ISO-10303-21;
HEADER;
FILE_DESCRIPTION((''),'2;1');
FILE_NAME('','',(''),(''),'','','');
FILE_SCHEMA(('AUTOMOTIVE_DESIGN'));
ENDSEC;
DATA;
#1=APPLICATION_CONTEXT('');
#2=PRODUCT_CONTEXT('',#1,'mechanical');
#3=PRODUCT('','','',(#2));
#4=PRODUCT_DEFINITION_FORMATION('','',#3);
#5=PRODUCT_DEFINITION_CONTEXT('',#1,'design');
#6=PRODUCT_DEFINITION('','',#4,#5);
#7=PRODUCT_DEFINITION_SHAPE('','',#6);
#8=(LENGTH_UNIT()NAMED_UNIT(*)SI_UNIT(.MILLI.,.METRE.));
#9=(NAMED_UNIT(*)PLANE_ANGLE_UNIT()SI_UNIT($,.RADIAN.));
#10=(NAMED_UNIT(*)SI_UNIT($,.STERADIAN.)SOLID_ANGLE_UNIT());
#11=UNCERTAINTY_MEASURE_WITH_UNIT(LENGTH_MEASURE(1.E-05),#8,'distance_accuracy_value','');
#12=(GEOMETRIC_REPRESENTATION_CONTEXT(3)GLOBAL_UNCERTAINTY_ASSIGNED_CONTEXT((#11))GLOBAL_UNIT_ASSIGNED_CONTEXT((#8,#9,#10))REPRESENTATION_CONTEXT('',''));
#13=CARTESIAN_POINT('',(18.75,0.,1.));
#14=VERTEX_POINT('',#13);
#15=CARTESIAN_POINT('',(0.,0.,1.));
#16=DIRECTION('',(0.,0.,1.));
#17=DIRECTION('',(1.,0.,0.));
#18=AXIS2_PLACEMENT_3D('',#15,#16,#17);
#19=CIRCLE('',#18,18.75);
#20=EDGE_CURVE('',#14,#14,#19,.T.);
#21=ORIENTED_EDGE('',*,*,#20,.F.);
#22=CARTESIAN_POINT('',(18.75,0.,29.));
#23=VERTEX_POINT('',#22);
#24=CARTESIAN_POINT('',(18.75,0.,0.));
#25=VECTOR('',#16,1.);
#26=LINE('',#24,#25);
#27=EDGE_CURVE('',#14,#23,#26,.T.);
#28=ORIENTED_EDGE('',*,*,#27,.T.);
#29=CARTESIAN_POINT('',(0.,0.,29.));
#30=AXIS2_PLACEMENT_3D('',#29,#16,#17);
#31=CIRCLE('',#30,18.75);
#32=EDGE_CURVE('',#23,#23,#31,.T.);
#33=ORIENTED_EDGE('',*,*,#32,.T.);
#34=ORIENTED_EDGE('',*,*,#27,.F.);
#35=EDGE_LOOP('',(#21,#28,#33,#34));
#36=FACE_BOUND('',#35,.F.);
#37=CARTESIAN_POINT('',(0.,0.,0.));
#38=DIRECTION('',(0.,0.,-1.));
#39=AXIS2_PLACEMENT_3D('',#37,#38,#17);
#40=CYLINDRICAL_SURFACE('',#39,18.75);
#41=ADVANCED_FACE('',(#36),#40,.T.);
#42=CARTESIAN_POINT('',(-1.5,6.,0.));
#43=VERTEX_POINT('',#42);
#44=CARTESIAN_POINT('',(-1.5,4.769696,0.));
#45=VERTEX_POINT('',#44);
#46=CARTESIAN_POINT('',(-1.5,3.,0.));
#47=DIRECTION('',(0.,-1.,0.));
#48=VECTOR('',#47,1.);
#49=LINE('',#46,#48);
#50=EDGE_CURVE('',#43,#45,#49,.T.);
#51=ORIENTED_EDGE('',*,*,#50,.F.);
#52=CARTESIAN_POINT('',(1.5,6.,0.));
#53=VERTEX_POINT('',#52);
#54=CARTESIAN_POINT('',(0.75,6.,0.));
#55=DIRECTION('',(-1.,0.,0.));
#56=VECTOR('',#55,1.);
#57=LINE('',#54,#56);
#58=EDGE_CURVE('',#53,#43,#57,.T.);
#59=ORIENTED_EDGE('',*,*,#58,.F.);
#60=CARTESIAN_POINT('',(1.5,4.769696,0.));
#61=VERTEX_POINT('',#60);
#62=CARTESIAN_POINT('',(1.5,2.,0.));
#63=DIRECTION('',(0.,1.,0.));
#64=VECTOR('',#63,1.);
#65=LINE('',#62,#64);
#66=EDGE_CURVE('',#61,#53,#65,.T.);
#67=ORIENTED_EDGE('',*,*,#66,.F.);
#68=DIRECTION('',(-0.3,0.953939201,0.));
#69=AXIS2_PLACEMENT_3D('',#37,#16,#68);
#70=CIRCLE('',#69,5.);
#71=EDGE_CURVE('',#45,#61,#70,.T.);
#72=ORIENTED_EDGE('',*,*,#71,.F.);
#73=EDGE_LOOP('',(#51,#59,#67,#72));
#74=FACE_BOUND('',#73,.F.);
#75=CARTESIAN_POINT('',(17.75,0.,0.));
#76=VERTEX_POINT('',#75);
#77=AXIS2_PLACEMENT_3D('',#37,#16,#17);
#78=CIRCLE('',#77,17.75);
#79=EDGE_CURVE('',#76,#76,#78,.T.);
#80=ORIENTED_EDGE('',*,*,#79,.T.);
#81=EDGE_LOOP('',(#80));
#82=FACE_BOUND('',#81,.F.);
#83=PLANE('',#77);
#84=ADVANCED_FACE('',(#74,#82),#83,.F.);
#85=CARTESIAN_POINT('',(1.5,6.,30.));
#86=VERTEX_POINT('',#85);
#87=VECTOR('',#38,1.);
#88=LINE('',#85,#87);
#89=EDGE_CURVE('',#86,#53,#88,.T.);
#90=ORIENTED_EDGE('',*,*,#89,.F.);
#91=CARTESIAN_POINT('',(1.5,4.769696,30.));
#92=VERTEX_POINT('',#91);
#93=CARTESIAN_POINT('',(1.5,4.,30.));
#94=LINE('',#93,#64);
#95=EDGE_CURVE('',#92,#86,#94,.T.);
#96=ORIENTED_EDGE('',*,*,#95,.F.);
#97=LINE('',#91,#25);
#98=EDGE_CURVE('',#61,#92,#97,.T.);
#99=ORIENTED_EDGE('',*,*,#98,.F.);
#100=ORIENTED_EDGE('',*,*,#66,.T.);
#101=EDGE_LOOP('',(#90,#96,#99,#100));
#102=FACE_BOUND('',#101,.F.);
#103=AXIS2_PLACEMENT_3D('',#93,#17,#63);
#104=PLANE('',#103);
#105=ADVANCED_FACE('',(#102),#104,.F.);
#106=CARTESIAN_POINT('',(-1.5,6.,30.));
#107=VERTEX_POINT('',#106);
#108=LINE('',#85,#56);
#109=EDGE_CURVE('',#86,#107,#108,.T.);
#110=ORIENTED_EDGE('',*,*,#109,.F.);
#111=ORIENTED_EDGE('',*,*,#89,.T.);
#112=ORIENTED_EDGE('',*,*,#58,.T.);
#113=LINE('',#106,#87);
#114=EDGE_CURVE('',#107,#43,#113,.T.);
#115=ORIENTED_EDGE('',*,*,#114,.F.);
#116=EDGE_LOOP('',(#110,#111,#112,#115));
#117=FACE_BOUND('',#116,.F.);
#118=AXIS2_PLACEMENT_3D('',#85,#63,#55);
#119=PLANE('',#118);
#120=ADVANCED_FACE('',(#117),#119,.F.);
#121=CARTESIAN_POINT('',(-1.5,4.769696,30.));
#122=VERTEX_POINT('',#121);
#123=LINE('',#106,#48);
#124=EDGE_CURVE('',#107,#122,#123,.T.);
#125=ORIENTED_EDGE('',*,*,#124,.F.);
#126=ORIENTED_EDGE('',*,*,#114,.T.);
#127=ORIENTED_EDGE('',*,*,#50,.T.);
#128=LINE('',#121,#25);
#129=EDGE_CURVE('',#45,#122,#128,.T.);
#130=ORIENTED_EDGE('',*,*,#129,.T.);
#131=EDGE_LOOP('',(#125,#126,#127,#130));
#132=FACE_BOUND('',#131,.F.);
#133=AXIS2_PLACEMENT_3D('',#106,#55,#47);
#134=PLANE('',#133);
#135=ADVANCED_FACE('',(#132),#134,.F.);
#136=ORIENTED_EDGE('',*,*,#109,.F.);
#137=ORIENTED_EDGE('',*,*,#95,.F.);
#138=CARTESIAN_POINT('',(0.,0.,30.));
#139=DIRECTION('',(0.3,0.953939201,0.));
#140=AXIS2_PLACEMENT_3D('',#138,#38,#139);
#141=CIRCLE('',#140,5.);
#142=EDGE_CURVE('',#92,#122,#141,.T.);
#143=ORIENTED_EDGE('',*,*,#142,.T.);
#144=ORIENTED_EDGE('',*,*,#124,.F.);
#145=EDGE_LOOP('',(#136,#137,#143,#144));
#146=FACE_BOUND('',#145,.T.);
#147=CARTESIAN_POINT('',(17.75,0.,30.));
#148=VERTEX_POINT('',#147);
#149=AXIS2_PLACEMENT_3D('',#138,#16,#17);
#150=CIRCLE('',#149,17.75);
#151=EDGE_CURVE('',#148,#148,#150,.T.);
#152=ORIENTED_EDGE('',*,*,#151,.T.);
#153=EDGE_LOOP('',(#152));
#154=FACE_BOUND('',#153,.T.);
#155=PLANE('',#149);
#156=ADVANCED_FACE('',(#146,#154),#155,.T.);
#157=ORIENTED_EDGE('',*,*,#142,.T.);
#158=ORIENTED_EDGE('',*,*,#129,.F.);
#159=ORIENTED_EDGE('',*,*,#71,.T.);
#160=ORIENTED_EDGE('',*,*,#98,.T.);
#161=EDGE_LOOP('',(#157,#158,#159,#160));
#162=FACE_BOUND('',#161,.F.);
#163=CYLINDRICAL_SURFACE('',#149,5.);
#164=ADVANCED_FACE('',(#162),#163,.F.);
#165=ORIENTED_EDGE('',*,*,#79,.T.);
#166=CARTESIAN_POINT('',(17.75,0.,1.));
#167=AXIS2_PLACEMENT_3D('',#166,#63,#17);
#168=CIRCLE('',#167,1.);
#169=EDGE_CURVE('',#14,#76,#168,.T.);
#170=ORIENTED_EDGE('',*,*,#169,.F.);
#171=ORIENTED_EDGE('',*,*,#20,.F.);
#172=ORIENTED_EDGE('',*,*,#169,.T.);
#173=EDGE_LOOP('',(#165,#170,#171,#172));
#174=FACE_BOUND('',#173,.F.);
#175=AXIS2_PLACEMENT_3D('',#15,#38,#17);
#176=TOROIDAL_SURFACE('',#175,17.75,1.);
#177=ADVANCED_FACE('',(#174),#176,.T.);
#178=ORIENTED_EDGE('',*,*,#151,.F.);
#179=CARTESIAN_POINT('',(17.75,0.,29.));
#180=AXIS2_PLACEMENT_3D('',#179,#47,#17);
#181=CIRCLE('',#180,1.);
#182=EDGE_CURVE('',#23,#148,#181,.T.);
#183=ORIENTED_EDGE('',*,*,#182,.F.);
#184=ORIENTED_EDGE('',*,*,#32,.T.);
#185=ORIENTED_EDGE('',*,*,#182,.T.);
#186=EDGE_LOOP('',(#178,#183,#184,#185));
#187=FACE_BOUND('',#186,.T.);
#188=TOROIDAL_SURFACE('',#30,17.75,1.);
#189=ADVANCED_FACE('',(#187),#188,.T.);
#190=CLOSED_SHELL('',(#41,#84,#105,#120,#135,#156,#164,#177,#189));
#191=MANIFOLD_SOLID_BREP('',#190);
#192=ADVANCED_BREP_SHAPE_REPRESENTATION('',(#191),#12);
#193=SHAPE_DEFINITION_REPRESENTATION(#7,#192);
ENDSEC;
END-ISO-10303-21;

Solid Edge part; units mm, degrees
sketch "Sketch1" plane through (0, 0, 0) normal (0, 0, 1) x (1, 0, 0)
  circle A0 centre (0, 0) radius 18.75
  dimension "D1" = 37.5
extrude "Protrusion1" add sketch "Sketch1" along normal blind 30
sketch "Sketch2" plane through (0, 0, 30) normal (0, 0, 1) x (1, 0, 0)
  circle A0 centre (0, 0) radius 5
  line L0 (-1.5, 4) -> (1.5, 4)
  line L1 (1.5, 4) -> (1.5, 6)
  line L2 (1.5, 6) -> (-1.5, 6)
  line L3 (-1.5, 6) -> (-1.5, 4)
  dimension "D1" = 10
  dimension "D2" = 3
  dimension "D3" = 2
extrude "Cutout1" cut sketch "Sketch2" against normal through all
fillet "Round_1" radius 1 2 edges at (-18.75, 0, 30) (-18.75, 0, 0)
properties material "Stainless steel"
